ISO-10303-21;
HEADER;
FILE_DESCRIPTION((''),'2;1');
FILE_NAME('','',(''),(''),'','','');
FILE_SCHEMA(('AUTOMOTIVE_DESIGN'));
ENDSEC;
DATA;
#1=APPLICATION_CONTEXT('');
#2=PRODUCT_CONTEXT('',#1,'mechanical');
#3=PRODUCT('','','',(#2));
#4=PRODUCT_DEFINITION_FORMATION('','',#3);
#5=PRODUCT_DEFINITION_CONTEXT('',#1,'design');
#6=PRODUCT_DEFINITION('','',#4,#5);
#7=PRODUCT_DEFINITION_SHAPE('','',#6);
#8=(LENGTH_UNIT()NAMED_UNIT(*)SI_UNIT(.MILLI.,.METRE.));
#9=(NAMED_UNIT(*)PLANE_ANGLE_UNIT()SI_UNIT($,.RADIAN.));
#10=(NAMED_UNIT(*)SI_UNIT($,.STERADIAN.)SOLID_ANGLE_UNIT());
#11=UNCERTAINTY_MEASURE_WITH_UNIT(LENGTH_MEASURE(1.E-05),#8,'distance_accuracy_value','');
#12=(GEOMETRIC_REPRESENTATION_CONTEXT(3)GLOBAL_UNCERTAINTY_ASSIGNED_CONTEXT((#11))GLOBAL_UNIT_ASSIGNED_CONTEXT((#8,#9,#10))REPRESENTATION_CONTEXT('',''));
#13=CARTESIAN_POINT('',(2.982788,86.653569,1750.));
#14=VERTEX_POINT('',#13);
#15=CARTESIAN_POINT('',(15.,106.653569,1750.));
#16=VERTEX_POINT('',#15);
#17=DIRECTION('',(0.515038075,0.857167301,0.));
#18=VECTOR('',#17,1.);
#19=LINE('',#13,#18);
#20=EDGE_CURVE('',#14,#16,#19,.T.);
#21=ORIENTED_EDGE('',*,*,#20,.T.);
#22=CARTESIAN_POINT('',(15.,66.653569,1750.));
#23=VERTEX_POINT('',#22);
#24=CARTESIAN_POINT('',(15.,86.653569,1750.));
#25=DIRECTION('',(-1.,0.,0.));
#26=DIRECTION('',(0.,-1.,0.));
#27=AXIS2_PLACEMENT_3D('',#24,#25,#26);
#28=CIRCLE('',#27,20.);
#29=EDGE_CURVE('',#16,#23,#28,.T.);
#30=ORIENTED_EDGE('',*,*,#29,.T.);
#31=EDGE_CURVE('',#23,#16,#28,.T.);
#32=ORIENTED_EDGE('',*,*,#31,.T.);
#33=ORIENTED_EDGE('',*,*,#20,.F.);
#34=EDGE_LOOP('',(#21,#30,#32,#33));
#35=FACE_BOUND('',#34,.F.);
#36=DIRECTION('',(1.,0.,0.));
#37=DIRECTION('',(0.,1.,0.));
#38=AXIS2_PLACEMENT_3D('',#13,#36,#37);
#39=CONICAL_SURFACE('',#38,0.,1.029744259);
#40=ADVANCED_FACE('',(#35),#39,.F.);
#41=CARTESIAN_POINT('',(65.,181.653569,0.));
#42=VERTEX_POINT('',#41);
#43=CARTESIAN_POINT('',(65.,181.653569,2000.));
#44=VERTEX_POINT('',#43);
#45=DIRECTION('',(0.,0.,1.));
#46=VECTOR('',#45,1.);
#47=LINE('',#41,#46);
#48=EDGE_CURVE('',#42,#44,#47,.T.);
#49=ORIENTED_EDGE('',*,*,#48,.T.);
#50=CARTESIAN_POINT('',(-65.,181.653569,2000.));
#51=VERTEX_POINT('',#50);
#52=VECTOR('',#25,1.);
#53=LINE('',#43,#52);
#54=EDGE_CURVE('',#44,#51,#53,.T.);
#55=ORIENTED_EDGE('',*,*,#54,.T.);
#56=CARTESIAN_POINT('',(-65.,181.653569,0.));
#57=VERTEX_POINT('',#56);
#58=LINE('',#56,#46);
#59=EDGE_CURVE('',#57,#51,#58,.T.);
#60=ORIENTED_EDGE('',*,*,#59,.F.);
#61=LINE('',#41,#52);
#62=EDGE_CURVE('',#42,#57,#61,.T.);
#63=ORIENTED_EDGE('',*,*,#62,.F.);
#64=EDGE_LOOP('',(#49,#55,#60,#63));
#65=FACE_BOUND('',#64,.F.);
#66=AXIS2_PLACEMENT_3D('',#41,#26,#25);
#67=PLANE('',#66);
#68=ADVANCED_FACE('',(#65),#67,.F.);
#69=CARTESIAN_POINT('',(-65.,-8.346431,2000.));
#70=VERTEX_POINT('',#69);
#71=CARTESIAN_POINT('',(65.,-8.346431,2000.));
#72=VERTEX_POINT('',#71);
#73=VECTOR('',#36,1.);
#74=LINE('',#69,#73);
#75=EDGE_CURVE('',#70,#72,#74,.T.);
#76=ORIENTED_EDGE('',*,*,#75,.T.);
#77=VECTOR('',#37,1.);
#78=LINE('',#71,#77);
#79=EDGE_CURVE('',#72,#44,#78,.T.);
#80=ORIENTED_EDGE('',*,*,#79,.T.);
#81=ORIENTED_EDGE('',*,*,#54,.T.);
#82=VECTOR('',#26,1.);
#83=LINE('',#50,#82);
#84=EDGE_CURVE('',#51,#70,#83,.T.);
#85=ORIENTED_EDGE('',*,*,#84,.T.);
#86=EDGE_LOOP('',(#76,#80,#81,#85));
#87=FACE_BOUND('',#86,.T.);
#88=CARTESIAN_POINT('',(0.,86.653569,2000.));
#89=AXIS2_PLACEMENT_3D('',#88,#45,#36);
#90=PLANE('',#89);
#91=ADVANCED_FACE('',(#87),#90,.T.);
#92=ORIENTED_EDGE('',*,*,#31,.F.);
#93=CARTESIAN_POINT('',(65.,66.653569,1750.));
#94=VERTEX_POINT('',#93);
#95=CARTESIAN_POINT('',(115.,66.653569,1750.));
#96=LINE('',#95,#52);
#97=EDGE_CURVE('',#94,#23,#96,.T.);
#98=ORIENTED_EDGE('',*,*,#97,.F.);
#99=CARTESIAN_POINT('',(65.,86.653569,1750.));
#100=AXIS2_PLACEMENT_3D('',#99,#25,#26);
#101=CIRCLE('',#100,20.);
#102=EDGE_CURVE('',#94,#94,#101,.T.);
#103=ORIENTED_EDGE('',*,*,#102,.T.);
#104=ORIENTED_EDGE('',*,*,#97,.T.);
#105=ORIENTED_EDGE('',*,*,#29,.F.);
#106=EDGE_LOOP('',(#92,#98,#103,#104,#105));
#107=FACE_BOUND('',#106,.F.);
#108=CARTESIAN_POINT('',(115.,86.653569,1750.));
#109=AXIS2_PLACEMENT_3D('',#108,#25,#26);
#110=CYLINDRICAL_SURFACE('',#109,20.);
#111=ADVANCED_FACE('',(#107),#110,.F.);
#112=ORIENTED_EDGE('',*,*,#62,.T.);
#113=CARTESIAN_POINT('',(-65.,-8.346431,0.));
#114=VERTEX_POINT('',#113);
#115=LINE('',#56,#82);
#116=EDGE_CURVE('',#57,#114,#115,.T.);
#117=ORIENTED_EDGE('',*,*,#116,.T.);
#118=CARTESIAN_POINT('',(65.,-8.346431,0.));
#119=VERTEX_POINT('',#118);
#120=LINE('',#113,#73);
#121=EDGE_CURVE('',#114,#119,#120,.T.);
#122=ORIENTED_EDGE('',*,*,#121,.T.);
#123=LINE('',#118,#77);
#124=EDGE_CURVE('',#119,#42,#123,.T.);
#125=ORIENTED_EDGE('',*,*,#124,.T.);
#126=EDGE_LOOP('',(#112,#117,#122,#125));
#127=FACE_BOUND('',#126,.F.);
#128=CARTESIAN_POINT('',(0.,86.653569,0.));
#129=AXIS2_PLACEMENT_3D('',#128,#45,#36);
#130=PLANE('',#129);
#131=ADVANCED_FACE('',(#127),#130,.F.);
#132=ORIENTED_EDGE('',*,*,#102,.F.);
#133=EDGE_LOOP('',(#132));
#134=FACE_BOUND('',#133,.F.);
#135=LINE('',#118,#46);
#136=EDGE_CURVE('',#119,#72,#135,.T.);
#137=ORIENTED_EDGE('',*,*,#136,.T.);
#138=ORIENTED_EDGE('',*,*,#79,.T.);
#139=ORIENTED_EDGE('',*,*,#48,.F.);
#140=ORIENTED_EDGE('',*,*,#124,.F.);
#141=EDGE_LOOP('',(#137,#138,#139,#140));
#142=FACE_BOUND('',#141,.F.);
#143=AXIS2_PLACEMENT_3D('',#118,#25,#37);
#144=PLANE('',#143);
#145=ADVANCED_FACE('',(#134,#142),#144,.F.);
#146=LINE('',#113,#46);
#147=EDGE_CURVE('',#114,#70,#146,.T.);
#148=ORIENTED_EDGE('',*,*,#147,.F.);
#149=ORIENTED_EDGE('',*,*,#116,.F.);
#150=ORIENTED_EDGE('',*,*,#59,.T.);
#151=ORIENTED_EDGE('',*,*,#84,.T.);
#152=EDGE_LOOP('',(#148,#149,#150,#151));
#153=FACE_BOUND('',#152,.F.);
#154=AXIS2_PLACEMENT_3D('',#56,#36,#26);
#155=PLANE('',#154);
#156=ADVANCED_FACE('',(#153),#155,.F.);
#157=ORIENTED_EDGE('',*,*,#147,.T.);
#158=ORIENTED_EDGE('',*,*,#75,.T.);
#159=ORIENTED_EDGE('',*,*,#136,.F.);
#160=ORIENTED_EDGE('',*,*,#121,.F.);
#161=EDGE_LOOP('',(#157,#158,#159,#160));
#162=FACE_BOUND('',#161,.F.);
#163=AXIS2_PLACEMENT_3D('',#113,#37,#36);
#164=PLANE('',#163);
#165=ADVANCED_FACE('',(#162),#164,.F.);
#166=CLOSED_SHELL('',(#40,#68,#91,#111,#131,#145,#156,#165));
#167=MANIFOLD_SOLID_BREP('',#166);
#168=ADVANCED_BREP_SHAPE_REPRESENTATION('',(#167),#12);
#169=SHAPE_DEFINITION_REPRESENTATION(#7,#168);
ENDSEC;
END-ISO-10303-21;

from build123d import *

# Parameters (mm, degrees)
F1_DEPTH = 2000
F3_D     = 40
F3_DEPTH = 50
F3_TIP   = 12.0172123806


with BuildPart() as f1:
    # F0 (on Top) → F1 (new body)
    with BuildSketch(Plane.XY):
        Polygon((-34.2555230263, 181.6535690603), (-65, 181.6535690603), (-65, -8.3464309397), (65, -8.3464309397), (65, 181.6535690603), (34.2555230263, 181.6535690603), align=None)
    extrude(amount=F1_DEPTH)

    # F3
    with Locations(Plane.YZ.offset(65)):
        with Locations((86.6535690603, 1750)):
            Hole(F3_D / 2, depth=F3_DEPTH)
            with Locations((0, 0, -(F3_DEPTH + F3_TIP / 2))):  # 118° drill point
                Cone(0, F3_D / 2, F3_TIP, mode=Mode.SUBTRACT)


solid = f1.part
